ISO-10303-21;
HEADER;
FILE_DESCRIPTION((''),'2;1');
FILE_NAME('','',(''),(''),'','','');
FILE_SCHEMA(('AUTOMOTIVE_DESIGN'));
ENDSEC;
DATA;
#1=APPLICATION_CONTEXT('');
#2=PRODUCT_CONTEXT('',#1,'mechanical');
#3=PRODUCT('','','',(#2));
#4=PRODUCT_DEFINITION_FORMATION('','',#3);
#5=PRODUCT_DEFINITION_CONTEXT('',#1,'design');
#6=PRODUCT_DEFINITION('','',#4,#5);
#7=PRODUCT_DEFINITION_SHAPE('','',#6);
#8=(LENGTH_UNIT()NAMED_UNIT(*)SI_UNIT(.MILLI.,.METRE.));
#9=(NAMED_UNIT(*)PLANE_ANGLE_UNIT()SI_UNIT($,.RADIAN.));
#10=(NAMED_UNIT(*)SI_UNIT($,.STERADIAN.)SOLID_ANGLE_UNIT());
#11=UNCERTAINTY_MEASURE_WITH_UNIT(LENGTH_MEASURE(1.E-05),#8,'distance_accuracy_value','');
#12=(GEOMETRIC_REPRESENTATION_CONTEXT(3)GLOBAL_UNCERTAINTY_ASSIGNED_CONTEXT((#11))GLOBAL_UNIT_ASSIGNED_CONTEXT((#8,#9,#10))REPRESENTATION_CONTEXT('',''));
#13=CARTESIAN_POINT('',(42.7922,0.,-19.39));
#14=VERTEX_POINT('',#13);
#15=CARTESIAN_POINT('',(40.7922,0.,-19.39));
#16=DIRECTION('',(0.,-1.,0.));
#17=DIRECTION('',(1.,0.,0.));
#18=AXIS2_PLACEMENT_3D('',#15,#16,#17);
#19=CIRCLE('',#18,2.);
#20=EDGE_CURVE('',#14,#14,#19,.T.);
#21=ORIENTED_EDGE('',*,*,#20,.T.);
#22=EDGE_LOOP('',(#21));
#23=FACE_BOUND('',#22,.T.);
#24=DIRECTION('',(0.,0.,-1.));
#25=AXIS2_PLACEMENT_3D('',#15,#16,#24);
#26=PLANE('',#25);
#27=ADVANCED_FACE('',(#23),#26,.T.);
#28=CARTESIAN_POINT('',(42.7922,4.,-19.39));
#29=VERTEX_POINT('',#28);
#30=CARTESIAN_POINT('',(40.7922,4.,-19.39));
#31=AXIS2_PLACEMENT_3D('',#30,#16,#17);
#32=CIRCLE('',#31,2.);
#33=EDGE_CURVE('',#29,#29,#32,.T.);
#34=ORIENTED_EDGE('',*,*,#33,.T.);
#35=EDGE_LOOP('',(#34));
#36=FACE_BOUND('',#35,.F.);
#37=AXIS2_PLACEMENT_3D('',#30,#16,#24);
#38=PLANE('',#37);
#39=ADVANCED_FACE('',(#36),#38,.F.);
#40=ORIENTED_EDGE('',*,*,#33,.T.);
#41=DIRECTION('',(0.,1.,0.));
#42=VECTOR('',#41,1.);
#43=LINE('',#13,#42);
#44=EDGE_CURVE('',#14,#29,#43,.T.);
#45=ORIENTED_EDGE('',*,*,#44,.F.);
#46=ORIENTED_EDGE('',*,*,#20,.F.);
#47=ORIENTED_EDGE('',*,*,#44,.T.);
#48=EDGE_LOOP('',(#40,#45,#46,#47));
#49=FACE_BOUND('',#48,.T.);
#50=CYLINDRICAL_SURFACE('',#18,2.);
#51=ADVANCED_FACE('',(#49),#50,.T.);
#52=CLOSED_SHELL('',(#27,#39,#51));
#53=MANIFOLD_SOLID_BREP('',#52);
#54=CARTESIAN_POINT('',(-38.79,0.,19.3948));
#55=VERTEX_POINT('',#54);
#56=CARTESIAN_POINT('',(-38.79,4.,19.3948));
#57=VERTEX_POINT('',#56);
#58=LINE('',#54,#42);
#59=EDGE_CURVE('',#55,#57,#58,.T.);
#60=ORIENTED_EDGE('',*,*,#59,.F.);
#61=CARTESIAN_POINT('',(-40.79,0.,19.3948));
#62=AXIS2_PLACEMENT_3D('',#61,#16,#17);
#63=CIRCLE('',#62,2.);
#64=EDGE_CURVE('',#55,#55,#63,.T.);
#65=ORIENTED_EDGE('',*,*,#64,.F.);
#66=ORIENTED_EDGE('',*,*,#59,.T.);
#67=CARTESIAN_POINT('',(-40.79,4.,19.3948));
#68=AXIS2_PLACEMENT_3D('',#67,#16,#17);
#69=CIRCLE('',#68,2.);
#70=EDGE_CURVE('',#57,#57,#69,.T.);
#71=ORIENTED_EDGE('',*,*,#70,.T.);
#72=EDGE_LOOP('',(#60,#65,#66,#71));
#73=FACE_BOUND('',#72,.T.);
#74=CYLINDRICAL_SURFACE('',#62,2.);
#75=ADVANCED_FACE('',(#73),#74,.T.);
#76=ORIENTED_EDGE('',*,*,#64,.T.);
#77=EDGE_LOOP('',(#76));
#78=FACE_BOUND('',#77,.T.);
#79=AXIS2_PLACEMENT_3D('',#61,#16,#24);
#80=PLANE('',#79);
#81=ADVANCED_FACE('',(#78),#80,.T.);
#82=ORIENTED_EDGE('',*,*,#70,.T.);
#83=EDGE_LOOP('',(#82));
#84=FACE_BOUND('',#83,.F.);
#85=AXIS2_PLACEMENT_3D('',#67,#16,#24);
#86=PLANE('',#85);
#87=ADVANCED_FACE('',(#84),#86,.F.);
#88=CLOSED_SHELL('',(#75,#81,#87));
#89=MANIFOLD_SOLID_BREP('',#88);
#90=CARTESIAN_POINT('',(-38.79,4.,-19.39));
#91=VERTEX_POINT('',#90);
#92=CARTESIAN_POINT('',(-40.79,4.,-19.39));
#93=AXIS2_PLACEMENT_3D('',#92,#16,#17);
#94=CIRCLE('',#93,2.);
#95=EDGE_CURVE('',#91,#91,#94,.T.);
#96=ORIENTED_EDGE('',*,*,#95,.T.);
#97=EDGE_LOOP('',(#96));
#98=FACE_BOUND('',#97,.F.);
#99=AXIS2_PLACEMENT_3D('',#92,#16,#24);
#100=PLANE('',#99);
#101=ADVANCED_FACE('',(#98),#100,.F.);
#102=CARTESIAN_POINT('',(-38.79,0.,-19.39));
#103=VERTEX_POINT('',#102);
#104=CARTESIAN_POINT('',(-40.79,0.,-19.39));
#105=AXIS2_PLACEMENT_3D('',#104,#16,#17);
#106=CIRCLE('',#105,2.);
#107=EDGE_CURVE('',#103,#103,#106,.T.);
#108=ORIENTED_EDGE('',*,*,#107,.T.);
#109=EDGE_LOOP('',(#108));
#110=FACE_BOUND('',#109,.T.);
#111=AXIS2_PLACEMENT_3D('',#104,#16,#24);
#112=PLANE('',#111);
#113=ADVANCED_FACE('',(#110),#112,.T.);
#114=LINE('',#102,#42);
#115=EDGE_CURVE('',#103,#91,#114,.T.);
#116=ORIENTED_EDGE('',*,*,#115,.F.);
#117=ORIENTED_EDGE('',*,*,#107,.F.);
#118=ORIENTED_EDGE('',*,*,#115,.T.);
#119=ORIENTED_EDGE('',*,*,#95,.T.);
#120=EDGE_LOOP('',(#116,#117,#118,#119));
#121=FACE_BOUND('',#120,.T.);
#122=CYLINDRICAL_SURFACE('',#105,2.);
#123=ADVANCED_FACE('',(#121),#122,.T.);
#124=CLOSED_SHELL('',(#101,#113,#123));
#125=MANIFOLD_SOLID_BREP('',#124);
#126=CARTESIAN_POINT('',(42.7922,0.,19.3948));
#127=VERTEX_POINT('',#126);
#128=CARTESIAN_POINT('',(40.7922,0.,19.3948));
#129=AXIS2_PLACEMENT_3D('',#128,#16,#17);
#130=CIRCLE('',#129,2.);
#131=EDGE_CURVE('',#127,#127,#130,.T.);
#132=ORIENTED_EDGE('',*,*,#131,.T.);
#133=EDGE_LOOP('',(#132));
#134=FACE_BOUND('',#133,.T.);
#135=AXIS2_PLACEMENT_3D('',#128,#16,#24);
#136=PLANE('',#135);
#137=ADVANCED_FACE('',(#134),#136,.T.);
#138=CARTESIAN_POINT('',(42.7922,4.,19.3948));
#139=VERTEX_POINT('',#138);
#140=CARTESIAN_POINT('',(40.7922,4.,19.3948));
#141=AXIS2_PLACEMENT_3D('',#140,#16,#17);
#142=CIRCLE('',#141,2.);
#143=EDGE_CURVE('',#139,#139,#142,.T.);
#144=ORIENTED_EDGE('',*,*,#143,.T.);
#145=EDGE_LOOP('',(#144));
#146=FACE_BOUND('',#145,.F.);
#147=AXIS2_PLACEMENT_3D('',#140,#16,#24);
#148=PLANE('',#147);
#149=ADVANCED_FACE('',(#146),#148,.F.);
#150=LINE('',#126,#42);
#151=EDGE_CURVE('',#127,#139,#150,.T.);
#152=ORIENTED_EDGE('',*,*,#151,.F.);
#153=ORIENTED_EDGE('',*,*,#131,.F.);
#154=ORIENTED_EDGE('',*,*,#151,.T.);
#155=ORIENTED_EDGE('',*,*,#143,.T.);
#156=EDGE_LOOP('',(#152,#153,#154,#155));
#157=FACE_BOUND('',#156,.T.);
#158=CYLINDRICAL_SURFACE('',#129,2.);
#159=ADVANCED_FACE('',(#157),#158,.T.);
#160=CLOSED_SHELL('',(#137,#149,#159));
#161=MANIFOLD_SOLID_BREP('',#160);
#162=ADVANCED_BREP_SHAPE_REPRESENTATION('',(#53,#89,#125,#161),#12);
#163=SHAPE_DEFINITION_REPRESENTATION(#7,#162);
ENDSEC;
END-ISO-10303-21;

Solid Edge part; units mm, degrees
sketch "Sketch1" plane through (0, 0, 0) normal (0, -1, 0) x (1, 0, 0)
  circle A0 centre (-40.79, -19.39) radius 2
  circle A1 centre (40.7922, -19.39) radius 2
  circle A2 centre (40.7922, 19.3948) radius 2
  circle A3 centre (-40.79, 19.3948) radius 2
  dimension "D1" = 40.7922
  dimension "D2" = 40.79
  dimension "D3" = 19.39
  dimension "D4" = 19.39
  dimension "D5" = 19.3948
  dimension "D6" = 19.3948
extrude "Protrusion1" add sketch "Sketch1" against normal blind 4
